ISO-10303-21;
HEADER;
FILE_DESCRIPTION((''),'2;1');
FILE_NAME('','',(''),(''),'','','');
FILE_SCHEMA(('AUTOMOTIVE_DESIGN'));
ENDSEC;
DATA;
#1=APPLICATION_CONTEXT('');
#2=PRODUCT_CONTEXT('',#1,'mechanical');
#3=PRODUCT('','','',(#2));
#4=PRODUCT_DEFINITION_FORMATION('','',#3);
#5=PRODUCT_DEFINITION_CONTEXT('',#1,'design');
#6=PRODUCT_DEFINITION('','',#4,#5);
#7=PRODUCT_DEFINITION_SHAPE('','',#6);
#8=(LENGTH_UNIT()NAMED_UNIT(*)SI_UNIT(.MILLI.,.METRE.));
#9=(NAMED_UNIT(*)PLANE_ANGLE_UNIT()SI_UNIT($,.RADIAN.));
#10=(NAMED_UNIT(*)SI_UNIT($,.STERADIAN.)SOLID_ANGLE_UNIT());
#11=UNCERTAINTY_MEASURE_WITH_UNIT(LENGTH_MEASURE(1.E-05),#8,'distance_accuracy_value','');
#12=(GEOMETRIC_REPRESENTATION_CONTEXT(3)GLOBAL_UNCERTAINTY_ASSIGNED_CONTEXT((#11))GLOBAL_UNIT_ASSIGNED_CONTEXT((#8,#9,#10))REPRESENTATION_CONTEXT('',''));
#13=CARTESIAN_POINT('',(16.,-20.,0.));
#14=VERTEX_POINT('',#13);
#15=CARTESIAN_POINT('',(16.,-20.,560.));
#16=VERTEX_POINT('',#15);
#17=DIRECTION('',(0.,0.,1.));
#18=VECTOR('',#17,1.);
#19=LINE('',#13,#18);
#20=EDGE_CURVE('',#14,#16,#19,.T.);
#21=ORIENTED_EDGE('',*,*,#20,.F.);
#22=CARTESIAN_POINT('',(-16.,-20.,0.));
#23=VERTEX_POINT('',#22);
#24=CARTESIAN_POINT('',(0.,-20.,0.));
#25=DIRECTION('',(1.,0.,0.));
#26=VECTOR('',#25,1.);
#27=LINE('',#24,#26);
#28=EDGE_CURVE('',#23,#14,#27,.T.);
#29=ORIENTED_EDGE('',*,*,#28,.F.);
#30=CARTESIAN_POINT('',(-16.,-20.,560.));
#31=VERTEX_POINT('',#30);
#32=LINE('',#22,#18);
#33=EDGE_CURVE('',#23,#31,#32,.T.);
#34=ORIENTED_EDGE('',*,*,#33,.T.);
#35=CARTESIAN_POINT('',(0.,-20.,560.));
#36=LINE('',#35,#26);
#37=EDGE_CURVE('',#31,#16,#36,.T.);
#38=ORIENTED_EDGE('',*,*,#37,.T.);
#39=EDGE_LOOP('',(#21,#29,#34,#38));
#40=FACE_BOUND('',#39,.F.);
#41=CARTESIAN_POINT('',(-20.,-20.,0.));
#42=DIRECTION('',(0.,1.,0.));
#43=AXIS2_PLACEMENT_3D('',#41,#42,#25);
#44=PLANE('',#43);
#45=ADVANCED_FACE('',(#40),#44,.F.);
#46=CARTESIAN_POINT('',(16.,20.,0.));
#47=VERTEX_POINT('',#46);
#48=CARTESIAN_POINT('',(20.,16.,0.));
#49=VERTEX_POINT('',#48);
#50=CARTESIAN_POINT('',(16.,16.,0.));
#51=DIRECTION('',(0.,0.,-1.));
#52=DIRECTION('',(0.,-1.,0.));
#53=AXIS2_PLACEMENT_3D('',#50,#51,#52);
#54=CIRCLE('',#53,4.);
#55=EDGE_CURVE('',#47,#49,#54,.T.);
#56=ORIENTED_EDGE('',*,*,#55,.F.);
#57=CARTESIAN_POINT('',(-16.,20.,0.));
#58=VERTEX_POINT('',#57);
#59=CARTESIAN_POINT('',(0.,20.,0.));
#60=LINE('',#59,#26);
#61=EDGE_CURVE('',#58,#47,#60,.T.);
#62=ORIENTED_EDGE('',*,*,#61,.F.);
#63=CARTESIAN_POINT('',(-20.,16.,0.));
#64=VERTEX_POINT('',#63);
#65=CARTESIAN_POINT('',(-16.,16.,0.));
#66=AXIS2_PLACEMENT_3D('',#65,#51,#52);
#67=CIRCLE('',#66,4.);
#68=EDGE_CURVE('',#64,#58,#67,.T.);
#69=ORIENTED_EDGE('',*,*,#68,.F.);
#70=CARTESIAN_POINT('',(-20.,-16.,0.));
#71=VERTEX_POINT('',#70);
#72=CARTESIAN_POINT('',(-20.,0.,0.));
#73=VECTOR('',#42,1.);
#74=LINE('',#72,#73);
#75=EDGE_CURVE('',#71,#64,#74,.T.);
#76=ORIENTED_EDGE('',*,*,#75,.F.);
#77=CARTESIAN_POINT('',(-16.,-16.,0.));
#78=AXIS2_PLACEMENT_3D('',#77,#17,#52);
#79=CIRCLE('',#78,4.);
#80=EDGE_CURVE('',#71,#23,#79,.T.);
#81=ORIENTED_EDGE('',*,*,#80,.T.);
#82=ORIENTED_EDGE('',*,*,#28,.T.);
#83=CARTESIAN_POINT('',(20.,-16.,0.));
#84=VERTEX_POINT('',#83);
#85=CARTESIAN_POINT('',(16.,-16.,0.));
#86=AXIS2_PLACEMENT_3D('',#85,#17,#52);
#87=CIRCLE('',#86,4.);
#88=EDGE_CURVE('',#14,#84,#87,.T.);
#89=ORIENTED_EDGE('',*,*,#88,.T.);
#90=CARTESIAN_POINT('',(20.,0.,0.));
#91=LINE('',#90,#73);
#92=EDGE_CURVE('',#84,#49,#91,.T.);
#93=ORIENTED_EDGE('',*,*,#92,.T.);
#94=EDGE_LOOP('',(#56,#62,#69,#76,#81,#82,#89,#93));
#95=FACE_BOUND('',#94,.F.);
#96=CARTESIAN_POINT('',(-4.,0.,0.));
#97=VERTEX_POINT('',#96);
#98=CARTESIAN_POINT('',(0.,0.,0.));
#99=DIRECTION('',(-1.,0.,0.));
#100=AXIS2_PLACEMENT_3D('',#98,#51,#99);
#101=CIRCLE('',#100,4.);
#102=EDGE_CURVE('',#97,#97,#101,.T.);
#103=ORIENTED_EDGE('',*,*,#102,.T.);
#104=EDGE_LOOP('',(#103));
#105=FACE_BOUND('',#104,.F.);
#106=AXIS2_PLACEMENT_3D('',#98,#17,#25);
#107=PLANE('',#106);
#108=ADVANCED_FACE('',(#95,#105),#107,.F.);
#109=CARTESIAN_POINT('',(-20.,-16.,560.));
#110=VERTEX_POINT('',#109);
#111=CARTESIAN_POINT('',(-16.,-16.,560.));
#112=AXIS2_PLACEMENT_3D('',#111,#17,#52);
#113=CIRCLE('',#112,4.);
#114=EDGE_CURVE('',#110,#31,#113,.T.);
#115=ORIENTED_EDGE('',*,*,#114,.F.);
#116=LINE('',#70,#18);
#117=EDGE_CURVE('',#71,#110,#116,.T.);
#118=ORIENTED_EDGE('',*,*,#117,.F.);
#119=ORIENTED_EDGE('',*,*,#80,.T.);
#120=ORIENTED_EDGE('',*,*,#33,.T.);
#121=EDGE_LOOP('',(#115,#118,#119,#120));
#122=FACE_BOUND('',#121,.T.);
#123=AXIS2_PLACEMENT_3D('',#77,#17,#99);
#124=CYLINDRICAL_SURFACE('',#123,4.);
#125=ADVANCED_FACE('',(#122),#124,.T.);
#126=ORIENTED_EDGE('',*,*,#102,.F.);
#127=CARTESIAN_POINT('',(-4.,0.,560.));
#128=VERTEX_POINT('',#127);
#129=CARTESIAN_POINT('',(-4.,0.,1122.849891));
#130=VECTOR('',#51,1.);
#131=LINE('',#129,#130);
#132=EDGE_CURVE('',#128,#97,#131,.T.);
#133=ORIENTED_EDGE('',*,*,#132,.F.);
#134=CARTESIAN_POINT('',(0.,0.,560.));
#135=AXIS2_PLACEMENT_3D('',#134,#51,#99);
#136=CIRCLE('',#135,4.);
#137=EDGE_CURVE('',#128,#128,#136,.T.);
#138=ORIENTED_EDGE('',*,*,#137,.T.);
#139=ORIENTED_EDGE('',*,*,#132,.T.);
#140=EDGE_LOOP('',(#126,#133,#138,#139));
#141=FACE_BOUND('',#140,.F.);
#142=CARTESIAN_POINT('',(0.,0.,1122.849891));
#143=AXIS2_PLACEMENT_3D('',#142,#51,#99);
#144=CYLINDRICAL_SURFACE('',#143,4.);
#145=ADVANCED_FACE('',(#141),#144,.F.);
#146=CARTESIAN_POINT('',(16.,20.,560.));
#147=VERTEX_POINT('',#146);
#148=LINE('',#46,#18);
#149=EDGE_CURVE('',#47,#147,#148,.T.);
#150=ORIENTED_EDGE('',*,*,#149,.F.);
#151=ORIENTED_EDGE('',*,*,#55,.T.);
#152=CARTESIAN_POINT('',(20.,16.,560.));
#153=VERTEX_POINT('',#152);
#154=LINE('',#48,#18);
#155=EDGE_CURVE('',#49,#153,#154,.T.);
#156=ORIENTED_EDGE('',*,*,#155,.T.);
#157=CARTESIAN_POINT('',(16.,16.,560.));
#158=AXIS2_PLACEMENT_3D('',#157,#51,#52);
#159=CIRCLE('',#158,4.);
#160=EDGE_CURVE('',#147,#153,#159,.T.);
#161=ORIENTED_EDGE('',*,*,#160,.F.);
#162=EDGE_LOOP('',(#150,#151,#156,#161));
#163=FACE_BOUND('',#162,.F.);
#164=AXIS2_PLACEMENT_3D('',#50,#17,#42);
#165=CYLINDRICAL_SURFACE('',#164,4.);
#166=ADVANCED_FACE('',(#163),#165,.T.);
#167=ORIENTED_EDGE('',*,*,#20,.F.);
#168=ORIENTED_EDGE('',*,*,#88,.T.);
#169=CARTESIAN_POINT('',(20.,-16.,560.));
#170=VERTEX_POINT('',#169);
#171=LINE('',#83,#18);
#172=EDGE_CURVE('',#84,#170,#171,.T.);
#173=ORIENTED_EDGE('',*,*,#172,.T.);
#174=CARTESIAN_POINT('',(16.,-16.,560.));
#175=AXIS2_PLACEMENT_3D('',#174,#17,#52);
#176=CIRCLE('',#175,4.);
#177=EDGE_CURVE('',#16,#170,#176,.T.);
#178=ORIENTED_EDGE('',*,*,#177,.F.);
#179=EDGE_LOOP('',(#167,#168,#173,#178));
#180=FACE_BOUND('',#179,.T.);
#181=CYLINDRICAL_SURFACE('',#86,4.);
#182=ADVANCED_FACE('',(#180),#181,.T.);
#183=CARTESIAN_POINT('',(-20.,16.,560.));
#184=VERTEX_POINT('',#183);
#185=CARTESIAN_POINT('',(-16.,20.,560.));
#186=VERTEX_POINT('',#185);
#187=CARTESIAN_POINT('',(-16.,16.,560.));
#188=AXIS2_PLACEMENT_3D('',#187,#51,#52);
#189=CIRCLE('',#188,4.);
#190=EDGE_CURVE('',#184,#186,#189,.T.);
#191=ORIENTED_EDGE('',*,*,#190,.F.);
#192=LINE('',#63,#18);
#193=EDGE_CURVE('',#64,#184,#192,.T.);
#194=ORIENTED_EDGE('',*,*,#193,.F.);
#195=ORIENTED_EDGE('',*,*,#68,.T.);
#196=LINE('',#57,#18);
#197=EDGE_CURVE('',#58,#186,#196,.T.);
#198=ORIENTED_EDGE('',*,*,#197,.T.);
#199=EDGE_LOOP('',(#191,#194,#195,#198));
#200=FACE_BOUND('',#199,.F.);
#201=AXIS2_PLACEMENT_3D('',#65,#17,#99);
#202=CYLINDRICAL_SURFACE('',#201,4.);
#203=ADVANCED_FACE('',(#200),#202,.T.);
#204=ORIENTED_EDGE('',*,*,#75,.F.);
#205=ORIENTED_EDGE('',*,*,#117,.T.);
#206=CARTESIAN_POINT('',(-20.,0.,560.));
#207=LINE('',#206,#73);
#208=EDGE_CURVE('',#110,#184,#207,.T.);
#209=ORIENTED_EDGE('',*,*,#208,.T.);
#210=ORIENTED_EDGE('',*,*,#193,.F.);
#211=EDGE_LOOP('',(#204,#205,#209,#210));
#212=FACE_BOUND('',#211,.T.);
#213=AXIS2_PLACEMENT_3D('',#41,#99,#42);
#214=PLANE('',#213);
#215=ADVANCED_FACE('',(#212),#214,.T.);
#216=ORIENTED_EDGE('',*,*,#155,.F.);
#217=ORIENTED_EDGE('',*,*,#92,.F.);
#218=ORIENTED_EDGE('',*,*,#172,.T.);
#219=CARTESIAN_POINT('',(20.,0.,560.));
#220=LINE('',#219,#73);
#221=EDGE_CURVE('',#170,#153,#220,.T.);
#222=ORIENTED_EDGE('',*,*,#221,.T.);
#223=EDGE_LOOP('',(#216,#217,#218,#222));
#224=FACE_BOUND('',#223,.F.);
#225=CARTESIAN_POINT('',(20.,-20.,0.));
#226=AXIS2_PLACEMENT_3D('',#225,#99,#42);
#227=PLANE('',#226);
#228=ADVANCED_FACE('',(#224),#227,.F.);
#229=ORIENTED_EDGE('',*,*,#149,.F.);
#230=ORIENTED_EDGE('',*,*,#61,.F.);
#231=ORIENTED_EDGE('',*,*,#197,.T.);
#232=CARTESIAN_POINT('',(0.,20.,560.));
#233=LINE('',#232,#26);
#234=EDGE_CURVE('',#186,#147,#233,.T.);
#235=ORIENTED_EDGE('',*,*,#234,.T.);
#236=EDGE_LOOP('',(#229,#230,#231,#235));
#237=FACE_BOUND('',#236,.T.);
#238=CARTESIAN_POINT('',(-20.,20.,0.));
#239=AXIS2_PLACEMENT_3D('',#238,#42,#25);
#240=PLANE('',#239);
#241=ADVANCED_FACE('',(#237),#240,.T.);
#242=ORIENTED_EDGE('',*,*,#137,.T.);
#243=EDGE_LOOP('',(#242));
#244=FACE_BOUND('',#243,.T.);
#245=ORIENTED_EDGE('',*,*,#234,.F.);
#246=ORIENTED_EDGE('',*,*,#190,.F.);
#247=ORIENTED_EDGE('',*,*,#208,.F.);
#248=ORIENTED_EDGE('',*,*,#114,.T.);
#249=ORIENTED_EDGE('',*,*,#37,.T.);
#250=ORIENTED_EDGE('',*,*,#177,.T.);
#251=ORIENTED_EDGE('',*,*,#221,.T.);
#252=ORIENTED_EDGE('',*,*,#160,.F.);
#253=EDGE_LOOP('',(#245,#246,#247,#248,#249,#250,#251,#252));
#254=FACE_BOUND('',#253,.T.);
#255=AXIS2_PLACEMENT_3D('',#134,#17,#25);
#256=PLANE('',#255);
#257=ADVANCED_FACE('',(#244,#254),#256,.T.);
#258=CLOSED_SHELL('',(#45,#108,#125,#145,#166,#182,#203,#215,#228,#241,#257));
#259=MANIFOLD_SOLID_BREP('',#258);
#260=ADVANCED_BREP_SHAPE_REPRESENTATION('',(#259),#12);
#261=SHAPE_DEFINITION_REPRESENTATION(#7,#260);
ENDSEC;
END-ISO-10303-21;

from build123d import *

# Parameters (mm, degrees)
F0_W     = 40
F0_H     = 40
F1_DEPTH = 560
F3_D     = 8
F4_R     = 4


with BuildPart() as f1:
    # F0 (on Top) → F1 (new body)
    with BuildSketch(Plane.XY):
        Rectangle(F0_W, F0_H)
    extrude(amount=F1_DEPTH)

    # F3 (through all)
    with Locations(Plane.XY.offset(560)):
        with Locations((0, 0)):
            Hole(F3_D / 2)

    # F4
    f4_edges = [f1.edges().sort_by_distance(p)[0] for p in [
        (20, -20, 280),
        (-20, -20, 280),
        (20, 20, 280),
        (-20, 20, 280),
    ]]
    fillet(f4_edges, radius=F4_R)


solid = f1.part
